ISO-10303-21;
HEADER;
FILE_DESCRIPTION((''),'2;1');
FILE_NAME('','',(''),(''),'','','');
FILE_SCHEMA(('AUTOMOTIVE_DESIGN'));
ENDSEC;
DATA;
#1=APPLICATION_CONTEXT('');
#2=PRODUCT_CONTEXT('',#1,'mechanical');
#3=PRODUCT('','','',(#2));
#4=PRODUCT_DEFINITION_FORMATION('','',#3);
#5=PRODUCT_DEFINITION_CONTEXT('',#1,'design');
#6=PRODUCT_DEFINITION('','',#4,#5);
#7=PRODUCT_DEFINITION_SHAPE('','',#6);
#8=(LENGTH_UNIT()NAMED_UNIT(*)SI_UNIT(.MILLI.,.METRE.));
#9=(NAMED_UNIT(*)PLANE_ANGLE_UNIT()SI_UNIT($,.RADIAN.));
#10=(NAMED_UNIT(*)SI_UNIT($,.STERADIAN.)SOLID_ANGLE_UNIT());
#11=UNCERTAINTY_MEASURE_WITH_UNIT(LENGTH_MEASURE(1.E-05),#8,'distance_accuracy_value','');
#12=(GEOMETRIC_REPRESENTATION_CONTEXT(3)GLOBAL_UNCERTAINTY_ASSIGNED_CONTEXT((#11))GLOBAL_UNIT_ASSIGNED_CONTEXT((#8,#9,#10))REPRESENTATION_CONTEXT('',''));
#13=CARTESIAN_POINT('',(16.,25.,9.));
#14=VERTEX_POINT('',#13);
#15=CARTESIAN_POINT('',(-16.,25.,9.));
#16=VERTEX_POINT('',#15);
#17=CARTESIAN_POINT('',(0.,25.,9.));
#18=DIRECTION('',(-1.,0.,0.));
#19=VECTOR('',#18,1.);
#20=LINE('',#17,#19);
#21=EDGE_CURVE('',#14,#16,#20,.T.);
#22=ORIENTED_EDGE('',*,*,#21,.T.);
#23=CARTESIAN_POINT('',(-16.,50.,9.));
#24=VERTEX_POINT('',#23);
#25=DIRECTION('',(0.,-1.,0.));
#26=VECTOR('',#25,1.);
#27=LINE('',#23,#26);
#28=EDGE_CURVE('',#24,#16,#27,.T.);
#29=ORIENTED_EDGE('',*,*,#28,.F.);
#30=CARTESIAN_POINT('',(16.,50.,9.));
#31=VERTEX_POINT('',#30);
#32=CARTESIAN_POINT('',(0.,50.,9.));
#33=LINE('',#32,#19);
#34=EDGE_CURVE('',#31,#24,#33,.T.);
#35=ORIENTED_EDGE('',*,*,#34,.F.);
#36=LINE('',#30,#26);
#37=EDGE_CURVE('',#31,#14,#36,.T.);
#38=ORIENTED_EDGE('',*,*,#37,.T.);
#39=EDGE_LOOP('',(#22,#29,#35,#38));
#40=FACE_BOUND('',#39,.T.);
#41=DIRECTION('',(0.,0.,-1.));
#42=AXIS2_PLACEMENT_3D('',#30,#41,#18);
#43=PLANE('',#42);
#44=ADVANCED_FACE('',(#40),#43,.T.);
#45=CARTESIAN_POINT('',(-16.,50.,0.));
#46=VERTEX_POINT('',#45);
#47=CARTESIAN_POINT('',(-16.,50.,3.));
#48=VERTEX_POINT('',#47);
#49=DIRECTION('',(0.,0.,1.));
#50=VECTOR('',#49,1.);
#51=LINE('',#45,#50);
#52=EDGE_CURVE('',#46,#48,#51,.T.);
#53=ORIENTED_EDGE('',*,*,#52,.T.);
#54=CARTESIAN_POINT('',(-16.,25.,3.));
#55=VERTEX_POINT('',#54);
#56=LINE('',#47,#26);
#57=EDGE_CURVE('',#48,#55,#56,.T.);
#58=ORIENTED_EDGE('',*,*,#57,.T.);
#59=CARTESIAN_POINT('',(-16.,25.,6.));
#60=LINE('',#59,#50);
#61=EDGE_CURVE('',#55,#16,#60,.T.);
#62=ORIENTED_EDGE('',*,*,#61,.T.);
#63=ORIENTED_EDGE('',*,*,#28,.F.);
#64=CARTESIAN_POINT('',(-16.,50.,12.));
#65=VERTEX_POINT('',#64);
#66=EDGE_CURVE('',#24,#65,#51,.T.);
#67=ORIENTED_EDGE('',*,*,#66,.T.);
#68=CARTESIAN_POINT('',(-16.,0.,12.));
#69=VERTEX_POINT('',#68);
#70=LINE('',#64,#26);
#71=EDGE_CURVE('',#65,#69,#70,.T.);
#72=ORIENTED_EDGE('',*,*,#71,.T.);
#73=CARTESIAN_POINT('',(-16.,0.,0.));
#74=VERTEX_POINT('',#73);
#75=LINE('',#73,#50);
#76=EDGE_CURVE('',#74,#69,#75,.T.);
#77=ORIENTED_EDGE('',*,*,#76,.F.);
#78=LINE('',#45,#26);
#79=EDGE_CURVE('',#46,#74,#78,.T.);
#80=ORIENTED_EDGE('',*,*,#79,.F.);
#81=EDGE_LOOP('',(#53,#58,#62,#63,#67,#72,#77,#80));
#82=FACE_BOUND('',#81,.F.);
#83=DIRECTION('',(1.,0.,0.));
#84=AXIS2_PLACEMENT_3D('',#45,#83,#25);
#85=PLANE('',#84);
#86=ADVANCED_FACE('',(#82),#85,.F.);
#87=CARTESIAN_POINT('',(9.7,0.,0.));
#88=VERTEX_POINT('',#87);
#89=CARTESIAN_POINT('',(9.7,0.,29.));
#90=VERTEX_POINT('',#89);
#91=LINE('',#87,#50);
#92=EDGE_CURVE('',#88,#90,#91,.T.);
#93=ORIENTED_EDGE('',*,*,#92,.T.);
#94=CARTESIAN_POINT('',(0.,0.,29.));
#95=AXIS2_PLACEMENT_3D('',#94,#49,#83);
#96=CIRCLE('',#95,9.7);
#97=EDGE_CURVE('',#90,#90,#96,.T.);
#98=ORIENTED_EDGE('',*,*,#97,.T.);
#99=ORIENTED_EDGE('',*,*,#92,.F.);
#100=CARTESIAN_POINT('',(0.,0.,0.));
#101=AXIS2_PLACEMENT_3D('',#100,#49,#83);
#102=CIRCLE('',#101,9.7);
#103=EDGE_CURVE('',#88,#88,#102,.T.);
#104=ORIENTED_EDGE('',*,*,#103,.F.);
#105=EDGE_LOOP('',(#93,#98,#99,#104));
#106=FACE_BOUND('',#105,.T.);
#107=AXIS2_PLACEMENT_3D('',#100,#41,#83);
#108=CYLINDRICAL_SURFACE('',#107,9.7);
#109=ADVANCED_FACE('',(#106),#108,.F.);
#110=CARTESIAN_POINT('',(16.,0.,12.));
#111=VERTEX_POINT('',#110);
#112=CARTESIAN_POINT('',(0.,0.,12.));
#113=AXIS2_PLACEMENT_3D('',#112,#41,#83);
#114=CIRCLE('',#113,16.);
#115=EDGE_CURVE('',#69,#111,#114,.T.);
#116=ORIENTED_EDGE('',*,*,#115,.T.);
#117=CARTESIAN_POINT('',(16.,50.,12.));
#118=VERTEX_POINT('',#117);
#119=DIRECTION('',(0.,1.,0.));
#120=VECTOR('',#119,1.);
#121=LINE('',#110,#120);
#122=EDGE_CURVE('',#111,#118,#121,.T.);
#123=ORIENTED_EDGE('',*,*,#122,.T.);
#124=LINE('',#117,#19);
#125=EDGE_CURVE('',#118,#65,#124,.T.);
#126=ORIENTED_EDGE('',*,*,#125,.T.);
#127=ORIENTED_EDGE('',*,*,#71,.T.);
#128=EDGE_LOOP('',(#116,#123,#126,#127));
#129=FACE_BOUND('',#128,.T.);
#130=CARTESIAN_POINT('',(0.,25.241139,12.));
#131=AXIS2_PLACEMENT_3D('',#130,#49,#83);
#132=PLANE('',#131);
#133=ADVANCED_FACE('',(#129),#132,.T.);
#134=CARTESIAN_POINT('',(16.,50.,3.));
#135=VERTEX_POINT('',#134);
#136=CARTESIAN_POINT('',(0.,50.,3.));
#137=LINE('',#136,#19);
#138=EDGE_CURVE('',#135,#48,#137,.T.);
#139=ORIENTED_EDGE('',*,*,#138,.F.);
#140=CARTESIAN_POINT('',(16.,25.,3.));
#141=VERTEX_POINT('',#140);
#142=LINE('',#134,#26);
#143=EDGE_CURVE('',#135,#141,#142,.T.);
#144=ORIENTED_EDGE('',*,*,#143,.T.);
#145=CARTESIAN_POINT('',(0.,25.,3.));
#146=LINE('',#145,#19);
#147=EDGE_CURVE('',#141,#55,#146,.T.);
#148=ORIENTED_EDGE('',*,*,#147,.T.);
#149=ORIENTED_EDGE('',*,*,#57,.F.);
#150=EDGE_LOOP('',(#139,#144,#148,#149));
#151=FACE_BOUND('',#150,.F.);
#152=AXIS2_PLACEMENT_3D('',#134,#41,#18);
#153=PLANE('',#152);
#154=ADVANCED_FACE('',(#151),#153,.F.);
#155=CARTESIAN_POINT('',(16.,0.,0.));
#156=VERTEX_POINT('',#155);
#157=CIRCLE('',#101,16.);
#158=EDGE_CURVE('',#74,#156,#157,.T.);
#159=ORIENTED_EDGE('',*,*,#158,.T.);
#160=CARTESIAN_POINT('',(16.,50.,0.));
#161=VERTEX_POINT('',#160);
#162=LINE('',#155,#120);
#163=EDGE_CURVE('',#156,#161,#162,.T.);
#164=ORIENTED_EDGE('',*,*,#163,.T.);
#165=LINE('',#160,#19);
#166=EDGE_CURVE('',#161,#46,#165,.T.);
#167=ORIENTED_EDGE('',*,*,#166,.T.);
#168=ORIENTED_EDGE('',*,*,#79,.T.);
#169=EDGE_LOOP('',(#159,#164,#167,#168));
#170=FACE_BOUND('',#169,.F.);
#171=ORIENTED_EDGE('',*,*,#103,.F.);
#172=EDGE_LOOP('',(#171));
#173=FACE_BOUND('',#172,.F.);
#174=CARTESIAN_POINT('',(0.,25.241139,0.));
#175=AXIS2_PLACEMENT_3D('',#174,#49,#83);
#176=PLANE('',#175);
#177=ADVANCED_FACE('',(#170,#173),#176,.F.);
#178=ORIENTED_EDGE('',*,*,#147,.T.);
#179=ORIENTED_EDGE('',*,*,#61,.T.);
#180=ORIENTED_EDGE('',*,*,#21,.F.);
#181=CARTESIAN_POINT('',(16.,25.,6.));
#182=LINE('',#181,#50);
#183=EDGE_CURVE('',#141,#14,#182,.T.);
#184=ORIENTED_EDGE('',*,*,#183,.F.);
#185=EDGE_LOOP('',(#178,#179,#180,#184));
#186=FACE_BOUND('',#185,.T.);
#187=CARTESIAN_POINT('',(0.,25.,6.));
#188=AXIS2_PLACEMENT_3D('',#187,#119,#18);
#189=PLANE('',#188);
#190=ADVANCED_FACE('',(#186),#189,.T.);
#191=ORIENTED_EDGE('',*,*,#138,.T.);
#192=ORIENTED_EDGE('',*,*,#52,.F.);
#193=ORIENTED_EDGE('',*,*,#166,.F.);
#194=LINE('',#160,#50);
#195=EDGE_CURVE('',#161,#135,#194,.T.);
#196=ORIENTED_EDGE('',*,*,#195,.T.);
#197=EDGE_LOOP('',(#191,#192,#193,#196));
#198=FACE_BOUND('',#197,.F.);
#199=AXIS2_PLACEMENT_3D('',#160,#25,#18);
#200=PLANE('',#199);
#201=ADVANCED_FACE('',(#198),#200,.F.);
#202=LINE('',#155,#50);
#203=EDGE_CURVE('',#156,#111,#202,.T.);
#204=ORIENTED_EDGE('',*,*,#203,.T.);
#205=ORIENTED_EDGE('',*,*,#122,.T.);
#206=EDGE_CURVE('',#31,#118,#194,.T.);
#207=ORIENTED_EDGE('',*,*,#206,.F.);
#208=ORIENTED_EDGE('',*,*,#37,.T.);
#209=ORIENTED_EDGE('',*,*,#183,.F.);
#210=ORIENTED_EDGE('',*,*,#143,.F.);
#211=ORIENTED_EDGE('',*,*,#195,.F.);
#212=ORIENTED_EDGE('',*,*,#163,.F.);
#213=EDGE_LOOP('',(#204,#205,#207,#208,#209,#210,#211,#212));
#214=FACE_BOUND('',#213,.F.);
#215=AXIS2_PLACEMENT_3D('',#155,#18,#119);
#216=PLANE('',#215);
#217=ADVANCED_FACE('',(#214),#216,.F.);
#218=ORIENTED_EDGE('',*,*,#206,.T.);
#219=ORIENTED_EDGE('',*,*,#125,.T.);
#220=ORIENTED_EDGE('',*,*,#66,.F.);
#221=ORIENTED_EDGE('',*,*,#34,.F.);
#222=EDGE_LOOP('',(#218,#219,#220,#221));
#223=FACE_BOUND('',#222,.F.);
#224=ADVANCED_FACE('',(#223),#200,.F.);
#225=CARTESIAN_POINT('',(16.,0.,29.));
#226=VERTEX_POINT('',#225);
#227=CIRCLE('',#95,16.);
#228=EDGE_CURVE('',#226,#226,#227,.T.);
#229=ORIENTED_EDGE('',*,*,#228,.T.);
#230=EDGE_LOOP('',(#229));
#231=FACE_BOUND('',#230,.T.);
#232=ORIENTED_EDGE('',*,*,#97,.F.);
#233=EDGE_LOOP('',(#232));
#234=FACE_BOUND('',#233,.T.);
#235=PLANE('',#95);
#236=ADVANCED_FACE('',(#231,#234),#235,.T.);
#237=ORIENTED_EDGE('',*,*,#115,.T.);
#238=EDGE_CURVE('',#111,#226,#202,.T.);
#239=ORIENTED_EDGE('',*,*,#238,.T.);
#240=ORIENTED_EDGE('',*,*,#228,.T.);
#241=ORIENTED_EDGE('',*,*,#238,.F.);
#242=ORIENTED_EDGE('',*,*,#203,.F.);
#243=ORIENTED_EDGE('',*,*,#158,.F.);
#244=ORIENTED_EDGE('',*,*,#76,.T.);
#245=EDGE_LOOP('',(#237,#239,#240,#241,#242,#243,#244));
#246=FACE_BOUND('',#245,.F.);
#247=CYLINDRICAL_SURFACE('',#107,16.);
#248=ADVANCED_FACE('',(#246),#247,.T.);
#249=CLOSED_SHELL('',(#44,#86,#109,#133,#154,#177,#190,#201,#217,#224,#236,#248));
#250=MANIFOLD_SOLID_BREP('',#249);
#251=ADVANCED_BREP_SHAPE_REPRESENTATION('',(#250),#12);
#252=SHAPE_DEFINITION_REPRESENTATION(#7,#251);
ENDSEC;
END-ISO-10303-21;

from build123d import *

# Parameters (mm, degrees)
F0_R     = 16
F0_R_2   = 9.7
F1_DEPTH = 29
F2_R     = 9.75
F3_DEPTH = 12
F4_W     = 32
F4_H     = 6
F5_DEPTH = 25


with BuildPart() as f1:
    # F0 (on Top) → F1 (new body)
    with BuildSketch(Plane.XY):
        Circle(F0_R)
        Circle(F0_R_2, mode=Mode.SUBTRACT)
    extrude(amount=F1_DEPTH)

    # F2 (on Top) → F3 (join)
    with BuildSketch(Plane.XY):
        with BuildLine():
            Line((-16, 50), (-16, 0))
            ThreePointArc((-16, 0), (0, 16), (16, 0))
            Line((16, 0), (16, 50))
            Line((16, 50), (-16, 50))
        make_face()
        with BuildLine():
            ThreePointArc((16, 0), (0, 16), (-16, 0))
            ThreePointArc((-16, 0), (0, -16), (16, 0))
        make_face()
        Circle(F2_R, mode=Mode.SUBTRACT)
    extrude(amount=F3_DEPTH)

    # F4 (on face) → F5 (cut)
    with BuildSketch(Plane(origin=(0, 50, 0), x_dir=(-1, 0, 0), z_dir=(0, 1, 0))):
        with Locations((0, 6)):
            Rectangle(F4_W, F4_H)
    extrude(amount=-F5_DEPTH, mode=Mode.SUBTRACT)


solid = f1.part
